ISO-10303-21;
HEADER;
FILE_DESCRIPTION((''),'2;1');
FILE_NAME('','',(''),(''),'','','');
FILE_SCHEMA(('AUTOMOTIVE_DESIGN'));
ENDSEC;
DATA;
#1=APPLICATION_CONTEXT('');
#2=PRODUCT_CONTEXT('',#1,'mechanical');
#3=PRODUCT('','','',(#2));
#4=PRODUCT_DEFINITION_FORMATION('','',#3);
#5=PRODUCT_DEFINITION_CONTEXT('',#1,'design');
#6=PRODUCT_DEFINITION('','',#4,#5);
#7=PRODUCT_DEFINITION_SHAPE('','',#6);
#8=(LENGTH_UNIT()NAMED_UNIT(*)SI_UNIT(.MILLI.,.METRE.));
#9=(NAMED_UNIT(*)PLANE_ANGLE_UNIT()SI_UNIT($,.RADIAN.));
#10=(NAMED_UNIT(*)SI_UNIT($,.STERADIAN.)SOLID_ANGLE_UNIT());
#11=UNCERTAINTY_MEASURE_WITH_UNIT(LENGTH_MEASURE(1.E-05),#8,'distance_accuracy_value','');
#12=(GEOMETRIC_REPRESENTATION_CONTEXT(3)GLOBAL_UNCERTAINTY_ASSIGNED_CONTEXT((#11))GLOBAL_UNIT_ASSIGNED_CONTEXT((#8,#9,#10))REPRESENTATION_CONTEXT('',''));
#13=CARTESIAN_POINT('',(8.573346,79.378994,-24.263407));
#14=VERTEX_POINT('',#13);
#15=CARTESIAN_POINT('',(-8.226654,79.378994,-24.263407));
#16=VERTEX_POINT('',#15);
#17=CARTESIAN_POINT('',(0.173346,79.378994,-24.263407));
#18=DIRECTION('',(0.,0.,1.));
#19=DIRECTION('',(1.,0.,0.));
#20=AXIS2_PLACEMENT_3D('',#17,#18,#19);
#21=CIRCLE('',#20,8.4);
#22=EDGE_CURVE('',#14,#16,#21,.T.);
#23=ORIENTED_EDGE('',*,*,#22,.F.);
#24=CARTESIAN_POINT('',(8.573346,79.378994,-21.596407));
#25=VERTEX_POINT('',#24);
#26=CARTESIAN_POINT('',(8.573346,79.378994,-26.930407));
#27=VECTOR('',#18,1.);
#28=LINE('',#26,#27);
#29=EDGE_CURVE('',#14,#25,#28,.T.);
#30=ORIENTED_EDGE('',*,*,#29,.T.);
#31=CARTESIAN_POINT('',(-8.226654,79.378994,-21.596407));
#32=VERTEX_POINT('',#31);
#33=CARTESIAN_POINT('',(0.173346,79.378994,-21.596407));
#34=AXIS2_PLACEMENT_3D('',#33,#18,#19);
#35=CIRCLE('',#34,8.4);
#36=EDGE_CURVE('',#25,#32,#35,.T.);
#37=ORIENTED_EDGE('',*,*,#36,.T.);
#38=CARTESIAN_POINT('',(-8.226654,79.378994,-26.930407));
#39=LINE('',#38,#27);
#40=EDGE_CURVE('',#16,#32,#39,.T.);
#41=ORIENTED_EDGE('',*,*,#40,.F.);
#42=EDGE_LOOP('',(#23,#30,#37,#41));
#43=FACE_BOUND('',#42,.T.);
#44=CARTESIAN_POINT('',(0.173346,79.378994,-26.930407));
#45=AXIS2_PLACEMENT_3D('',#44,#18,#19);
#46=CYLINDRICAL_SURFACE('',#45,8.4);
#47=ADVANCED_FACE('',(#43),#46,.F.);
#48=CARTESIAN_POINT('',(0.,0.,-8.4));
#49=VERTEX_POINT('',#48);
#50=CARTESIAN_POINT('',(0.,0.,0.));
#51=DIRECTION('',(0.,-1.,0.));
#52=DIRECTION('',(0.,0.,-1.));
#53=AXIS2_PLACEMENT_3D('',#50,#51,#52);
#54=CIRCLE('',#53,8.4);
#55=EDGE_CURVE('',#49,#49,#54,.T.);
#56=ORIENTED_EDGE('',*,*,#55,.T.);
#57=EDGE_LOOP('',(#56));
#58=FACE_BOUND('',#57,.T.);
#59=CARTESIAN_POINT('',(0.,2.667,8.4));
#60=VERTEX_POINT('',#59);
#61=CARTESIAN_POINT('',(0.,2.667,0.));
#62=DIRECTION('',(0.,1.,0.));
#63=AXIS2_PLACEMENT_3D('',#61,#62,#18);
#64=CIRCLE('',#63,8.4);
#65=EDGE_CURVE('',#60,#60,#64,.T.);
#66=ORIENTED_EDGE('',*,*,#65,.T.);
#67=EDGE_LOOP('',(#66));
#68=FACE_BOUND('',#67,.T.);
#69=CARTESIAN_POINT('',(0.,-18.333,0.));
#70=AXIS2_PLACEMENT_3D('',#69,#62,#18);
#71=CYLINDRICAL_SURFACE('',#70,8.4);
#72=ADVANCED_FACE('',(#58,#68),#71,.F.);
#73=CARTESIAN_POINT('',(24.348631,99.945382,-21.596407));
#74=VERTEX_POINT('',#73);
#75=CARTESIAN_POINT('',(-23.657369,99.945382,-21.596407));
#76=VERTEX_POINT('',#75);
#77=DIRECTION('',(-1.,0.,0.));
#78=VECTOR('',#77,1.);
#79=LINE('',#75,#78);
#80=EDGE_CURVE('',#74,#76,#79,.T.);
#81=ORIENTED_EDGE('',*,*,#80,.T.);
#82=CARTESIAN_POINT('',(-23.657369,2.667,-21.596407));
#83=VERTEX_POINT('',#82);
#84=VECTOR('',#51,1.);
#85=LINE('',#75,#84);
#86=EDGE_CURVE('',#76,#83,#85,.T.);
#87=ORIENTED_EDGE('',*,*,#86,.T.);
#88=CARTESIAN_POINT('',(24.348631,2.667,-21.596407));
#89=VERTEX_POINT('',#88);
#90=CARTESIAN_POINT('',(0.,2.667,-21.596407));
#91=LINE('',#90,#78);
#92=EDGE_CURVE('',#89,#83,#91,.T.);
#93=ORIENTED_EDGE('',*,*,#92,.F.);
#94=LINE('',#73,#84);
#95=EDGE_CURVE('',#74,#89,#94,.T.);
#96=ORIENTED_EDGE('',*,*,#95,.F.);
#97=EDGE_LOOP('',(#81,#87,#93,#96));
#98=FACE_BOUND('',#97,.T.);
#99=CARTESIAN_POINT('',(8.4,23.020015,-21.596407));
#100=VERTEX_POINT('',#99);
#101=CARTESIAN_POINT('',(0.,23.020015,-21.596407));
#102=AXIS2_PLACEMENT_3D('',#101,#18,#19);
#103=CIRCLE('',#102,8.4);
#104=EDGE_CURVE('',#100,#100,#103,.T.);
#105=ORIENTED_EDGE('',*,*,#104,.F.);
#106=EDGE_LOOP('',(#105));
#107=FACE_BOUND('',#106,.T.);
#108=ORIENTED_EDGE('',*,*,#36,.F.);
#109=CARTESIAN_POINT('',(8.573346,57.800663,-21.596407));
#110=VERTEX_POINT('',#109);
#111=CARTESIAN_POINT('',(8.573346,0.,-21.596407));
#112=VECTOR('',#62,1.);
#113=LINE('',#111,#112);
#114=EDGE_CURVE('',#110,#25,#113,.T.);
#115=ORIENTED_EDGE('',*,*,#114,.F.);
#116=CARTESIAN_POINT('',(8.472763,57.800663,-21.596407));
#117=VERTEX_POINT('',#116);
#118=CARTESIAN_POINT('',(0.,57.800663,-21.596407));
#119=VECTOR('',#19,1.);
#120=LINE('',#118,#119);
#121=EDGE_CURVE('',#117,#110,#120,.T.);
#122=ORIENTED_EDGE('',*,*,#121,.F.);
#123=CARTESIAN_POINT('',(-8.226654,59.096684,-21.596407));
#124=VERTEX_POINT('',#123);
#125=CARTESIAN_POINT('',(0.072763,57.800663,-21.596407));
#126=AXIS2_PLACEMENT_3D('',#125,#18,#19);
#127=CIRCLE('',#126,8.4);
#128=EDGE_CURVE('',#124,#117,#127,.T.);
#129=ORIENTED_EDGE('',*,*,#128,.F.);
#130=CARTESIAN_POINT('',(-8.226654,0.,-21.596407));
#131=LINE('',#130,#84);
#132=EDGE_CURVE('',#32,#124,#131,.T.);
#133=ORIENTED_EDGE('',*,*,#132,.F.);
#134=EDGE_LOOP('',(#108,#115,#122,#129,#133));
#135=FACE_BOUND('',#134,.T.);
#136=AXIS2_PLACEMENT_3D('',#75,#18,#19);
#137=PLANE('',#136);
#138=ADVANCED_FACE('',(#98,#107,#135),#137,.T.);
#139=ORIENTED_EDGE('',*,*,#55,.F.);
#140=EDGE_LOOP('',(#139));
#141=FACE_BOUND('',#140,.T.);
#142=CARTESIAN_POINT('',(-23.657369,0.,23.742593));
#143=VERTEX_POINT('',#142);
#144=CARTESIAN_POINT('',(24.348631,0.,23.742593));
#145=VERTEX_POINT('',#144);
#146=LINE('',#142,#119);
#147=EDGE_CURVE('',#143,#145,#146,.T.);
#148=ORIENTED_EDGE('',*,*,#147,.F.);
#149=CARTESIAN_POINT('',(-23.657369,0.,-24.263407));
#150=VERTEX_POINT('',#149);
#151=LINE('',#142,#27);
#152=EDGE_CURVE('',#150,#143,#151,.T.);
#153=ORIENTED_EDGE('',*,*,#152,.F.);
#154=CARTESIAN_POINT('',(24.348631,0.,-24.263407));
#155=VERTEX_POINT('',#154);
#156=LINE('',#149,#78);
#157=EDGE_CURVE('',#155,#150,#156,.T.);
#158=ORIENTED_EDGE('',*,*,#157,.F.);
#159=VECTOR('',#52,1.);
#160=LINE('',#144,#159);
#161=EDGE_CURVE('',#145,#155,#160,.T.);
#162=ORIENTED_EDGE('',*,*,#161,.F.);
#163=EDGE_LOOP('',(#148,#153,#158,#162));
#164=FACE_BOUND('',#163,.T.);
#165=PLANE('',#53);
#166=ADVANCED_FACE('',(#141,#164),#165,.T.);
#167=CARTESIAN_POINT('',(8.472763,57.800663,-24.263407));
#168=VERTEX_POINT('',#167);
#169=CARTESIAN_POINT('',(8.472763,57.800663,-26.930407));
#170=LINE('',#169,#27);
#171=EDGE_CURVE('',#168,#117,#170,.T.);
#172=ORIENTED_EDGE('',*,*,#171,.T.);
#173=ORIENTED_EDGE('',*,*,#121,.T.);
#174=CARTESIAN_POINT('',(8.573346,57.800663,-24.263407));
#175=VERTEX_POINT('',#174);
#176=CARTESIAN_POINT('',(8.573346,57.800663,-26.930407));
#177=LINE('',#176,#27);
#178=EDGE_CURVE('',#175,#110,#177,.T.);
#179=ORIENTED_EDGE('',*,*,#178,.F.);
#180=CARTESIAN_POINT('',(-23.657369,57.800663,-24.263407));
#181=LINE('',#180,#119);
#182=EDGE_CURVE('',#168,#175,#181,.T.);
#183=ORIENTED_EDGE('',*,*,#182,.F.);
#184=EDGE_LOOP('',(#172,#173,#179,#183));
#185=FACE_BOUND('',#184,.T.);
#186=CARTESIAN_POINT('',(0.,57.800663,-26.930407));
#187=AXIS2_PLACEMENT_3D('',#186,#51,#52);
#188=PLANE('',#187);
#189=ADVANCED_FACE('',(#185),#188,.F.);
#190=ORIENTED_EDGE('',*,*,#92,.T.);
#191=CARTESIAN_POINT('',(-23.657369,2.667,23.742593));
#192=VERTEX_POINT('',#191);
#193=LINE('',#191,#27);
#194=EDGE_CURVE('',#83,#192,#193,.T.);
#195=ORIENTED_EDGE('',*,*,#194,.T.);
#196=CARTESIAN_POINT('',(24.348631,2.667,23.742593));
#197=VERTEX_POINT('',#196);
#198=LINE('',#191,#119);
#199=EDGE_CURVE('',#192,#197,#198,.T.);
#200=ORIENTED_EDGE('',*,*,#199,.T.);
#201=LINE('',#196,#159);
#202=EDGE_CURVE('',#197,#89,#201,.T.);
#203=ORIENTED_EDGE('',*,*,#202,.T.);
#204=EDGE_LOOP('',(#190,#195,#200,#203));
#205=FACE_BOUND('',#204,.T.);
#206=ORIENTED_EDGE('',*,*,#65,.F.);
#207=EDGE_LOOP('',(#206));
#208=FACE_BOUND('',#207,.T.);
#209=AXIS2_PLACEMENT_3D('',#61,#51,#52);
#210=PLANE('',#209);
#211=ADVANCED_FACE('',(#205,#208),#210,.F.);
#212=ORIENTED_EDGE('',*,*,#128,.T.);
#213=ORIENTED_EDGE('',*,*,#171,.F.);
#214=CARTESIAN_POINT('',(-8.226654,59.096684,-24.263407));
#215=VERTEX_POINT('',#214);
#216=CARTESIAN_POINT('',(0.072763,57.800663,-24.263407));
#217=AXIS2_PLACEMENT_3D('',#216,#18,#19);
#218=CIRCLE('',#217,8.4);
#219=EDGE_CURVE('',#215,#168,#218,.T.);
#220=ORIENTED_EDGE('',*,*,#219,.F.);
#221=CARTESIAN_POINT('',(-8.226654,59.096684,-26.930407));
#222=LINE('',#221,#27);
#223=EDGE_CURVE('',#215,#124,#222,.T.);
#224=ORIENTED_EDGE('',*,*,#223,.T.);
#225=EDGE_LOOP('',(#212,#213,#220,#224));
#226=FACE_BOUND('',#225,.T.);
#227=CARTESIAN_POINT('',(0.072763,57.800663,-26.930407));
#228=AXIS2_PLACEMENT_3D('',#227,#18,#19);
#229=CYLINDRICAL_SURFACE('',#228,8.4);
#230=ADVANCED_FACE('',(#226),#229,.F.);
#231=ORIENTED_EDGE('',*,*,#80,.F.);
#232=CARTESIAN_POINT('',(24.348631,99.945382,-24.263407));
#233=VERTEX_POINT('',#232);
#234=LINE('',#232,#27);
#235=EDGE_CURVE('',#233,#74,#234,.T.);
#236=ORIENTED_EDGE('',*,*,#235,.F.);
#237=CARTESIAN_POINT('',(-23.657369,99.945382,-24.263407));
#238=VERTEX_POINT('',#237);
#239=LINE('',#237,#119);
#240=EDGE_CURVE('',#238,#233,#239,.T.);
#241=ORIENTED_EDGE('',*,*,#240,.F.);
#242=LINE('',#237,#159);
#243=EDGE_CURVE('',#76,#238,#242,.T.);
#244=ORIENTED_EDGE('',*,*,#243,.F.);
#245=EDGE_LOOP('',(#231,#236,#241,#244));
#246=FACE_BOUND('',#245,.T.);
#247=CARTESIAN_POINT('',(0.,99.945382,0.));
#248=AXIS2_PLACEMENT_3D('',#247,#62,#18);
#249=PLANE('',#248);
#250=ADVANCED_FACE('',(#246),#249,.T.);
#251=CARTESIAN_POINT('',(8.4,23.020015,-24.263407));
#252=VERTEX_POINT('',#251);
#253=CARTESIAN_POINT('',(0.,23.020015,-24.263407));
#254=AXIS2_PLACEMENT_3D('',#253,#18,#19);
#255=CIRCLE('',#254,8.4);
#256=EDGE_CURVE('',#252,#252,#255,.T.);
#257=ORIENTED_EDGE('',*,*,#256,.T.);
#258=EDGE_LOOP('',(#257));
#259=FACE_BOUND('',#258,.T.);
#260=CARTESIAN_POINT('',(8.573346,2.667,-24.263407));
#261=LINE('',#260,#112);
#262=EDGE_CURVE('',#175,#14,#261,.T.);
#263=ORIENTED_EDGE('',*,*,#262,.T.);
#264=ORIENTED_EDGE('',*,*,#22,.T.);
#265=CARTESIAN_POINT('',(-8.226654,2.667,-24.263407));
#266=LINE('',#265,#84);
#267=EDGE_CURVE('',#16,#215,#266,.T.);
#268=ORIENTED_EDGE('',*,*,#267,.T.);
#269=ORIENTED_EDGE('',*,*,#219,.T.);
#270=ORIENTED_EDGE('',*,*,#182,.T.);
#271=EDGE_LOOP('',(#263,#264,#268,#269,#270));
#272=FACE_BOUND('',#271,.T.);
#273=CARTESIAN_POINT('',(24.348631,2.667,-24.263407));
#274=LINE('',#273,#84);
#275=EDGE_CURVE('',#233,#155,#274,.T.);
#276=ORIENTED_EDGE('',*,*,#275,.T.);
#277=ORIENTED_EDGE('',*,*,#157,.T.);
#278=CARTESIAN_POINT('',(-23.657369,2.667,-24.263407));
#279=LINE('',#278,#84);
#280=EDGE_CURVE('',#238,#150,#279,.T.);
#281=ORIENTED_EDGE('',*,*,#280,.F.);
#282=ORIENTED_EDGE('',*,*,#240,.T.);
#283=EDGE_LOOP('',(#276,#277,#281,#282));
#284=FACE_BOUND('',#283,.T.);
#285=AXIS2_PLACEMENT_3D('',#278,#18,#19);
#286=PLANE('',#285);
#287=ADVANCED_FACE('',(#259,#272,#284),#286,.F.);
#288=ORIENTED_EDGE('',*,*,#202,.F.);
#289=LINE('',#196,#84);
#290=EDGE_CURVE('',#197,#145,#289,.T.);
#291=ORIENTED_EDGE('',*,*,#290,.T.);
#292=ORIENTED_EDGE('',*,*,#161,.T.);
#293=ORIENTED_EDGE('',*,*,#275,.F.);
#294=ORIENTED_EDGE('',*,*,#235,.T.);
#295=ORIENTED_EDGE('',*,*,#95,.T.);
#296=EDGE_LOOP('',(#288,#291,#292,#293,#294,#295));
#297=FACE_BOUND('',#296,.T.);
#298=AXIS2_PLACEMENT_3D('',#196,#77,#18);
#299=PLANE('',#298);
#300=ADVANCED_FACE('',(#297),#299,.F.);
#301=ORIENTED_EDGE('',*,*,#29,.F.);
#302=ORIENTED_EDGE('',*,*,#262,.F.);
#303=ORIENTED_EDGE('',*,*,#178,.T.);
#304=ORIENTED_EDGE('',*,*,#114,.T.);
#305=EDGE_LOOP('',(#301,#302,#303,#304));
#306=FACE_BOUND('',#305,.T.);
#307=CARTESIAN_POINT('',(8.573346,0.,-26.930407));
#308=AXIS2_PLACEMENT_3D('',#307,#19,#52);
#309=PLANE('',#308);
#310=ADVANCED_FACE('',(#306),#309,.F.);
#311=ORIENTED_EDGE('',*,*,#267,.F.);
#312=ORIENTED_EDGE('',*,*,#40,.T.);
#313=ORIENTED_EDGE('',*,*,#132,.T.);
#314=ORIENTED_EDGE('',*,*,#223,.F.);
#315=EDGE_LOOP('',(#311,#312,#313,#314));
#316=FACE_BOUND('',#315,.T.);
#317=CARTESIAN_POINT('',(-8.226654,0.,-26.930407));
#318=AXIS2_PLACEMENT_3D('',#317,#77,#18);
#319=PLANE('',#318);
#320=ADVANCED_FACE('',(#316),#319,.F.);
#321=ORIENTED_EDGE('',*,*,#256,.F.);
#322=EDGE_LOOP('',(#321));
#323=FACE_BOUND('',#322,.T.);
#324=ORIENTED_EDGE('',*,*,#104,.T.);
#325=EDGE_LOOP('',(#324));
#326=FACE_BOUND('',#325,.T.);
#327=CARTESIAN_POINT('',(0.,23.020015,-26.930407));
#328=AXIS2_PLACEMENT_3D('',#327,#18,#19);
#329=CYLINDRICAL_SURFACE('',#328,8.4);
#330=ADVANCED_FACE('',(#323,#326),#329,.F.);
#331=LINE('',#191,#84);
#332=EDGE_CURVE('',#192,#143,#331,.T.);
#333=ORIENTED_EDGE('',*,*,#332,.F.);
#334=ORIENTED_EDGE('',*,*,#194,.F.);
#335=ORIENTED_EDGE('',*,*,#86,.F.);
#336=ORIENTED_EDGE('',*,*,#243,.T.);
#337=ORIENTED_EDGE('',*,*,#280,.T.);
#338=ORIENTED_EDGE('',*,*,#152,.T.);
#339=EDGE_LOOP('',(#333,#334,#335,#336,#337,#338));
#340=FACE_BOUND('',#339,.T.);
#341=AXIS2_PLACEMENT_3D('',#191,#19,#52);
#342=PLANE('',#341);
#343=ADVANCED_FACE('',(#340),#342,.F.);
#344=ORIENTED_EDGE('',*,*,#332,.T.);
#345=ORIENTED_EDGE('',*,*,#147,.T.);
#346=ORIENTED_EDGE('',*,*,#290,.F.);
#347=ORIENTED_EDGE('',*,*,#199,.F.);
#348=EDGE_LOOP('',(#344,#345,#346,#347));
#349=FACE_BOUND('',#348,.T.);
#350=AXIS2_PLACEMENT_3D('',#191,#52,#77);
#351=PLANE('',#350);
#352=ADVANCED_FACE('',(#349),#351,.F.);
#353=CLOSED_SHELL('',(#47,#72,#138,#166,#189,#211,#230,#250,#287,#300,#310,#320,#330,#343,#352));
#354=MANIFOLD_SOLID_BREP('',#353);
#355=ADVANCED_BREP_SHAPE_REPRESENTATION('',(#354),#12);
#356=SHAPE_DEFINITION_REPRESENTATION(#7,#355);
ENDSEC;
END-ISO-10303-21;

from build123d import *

# Parameters (mm, degrees)
SKETCH1_W           = 22.86
SKETCH1_H           = 22.86
BOSS_EXTRUDE1_DEPTH = 1.27
SKETCH3_W           = 22.86
SKETCH3_H           = 1.27
BOSS_EXTRUDE2_DEPTH = 47.593039283
SKETCH4_R           = 4
CUT_EXTRUDE2_DEPTH  = 10
SKETCH5_R           = 4
SKETCH5_W           = 8
SKETCH5_H           = 10.275395712
CUT_EXTRUDE3_DEPTH  = 2.54
SCALE2_SCALE        = 2.1


with BuildPart() as part:
    # Sketch1 → Boss-Extrude1 (new body)
    with BuildSketch(Plane(origin=(0, 0, 0), x_dir=(1, 0, 0), z_dir=(0, 1, 0))):
        with Locations((0.164586144, 0.124003255)):
            Rectangle(SKETCH1_W, SKETCH1_H)
    extrude(amount=BOSS_EXTRUDE1_DEPTH)

    # Sketch3 → Boss-Extrude2 (add)
    with BuildSketch(Plane.XZ):
        with Locations((0.164586144, -10.919003255)):
            Rectangle(SKETCH3_W, SKETCH3_H)
    extrude(amount=-BOSS_EXTRUDE2_DEPTH)

    # Sketch4 → Cut-Extrude2 (cut)
    with BuildSketch(Plane(origin=(0, 1.27, 0), x_dir=(1, 0, 0), z_dir=(0, 1, 0))):
        with Locations(Location((0, 0, 0), (0, 0, 270))):
            Circle(SKETCH4_R)
    extrude(amount=-CUT_EXTRUDE2_DEPTH, mode=Mode.SUBTRACT)

    # Sketch5 → Cut-Extrude3 (cut)
    with BuildSketch(Plane.XY.offset(-10.284003255)):
        with Locations((0.082545716, 37.799520725)):
            Circle(SKETCH5_R)
        with Locations((0.034649226, 27.524125013)):
            Circle(SKETCH5_R)
        with Locations((0.082545716, 32.661822869)):
            Rectangle(SKETCH5_W, SKETCH5_H)
        with BuildLine():
            ThreePointArc((4.034649226, 27.524125013), (0.344153636, 31.512132914), (-3.917454284, 28.141278028))
            Line((-3.917454284, 28.141278028), (-3.917454284, 27.524125013))
            Line((-3.917454284, 27.524125013), (4.034649226, 27.524125013))
        make_face()
        with BuildLine():
            Line((-3.917454284, 27.524125013), (-3.917454284, 28.141278028))
            ThreePointArc((-3.917454284, 28.141278028), (-0.274855184, 23.536117112), (4.034649226, 27.524125013))
            Line((4.034649226, 27.524125013), (-3.917454284, 27.524125013))
        make_face()
        with Locations((0, 10.961912138)):
            Circle(SKETCH5_R)
        with BuildLine():
            ThreePointArc((4.082545716, 37.799520725), (0.082545716, 41.799520725), (-3.917454284, 37.799520725))
            Line((-3.917454284, 37.799520725), (4.082545716, 37.799520725))
        make_face()
        with BuildLine():
            Line((4.082545716, 37.799520725), (-3.917454284, 37.799520725))
            ThreePointArc((-3.917454284, 37.799520725), (0.082545716, 33.799520725), (4.082545716, 37.799520725))
        make_face()
    extrude(amount=-CUT_EXTRUDE3_DEPTH, mode=Mode.SUBTRACT)


with BuildPart() as part_1:
    # Scale2: scaled about (0, 0, 0)
    add(part.part.scale(SCALE2_SCALE))


solid = part_1.part
